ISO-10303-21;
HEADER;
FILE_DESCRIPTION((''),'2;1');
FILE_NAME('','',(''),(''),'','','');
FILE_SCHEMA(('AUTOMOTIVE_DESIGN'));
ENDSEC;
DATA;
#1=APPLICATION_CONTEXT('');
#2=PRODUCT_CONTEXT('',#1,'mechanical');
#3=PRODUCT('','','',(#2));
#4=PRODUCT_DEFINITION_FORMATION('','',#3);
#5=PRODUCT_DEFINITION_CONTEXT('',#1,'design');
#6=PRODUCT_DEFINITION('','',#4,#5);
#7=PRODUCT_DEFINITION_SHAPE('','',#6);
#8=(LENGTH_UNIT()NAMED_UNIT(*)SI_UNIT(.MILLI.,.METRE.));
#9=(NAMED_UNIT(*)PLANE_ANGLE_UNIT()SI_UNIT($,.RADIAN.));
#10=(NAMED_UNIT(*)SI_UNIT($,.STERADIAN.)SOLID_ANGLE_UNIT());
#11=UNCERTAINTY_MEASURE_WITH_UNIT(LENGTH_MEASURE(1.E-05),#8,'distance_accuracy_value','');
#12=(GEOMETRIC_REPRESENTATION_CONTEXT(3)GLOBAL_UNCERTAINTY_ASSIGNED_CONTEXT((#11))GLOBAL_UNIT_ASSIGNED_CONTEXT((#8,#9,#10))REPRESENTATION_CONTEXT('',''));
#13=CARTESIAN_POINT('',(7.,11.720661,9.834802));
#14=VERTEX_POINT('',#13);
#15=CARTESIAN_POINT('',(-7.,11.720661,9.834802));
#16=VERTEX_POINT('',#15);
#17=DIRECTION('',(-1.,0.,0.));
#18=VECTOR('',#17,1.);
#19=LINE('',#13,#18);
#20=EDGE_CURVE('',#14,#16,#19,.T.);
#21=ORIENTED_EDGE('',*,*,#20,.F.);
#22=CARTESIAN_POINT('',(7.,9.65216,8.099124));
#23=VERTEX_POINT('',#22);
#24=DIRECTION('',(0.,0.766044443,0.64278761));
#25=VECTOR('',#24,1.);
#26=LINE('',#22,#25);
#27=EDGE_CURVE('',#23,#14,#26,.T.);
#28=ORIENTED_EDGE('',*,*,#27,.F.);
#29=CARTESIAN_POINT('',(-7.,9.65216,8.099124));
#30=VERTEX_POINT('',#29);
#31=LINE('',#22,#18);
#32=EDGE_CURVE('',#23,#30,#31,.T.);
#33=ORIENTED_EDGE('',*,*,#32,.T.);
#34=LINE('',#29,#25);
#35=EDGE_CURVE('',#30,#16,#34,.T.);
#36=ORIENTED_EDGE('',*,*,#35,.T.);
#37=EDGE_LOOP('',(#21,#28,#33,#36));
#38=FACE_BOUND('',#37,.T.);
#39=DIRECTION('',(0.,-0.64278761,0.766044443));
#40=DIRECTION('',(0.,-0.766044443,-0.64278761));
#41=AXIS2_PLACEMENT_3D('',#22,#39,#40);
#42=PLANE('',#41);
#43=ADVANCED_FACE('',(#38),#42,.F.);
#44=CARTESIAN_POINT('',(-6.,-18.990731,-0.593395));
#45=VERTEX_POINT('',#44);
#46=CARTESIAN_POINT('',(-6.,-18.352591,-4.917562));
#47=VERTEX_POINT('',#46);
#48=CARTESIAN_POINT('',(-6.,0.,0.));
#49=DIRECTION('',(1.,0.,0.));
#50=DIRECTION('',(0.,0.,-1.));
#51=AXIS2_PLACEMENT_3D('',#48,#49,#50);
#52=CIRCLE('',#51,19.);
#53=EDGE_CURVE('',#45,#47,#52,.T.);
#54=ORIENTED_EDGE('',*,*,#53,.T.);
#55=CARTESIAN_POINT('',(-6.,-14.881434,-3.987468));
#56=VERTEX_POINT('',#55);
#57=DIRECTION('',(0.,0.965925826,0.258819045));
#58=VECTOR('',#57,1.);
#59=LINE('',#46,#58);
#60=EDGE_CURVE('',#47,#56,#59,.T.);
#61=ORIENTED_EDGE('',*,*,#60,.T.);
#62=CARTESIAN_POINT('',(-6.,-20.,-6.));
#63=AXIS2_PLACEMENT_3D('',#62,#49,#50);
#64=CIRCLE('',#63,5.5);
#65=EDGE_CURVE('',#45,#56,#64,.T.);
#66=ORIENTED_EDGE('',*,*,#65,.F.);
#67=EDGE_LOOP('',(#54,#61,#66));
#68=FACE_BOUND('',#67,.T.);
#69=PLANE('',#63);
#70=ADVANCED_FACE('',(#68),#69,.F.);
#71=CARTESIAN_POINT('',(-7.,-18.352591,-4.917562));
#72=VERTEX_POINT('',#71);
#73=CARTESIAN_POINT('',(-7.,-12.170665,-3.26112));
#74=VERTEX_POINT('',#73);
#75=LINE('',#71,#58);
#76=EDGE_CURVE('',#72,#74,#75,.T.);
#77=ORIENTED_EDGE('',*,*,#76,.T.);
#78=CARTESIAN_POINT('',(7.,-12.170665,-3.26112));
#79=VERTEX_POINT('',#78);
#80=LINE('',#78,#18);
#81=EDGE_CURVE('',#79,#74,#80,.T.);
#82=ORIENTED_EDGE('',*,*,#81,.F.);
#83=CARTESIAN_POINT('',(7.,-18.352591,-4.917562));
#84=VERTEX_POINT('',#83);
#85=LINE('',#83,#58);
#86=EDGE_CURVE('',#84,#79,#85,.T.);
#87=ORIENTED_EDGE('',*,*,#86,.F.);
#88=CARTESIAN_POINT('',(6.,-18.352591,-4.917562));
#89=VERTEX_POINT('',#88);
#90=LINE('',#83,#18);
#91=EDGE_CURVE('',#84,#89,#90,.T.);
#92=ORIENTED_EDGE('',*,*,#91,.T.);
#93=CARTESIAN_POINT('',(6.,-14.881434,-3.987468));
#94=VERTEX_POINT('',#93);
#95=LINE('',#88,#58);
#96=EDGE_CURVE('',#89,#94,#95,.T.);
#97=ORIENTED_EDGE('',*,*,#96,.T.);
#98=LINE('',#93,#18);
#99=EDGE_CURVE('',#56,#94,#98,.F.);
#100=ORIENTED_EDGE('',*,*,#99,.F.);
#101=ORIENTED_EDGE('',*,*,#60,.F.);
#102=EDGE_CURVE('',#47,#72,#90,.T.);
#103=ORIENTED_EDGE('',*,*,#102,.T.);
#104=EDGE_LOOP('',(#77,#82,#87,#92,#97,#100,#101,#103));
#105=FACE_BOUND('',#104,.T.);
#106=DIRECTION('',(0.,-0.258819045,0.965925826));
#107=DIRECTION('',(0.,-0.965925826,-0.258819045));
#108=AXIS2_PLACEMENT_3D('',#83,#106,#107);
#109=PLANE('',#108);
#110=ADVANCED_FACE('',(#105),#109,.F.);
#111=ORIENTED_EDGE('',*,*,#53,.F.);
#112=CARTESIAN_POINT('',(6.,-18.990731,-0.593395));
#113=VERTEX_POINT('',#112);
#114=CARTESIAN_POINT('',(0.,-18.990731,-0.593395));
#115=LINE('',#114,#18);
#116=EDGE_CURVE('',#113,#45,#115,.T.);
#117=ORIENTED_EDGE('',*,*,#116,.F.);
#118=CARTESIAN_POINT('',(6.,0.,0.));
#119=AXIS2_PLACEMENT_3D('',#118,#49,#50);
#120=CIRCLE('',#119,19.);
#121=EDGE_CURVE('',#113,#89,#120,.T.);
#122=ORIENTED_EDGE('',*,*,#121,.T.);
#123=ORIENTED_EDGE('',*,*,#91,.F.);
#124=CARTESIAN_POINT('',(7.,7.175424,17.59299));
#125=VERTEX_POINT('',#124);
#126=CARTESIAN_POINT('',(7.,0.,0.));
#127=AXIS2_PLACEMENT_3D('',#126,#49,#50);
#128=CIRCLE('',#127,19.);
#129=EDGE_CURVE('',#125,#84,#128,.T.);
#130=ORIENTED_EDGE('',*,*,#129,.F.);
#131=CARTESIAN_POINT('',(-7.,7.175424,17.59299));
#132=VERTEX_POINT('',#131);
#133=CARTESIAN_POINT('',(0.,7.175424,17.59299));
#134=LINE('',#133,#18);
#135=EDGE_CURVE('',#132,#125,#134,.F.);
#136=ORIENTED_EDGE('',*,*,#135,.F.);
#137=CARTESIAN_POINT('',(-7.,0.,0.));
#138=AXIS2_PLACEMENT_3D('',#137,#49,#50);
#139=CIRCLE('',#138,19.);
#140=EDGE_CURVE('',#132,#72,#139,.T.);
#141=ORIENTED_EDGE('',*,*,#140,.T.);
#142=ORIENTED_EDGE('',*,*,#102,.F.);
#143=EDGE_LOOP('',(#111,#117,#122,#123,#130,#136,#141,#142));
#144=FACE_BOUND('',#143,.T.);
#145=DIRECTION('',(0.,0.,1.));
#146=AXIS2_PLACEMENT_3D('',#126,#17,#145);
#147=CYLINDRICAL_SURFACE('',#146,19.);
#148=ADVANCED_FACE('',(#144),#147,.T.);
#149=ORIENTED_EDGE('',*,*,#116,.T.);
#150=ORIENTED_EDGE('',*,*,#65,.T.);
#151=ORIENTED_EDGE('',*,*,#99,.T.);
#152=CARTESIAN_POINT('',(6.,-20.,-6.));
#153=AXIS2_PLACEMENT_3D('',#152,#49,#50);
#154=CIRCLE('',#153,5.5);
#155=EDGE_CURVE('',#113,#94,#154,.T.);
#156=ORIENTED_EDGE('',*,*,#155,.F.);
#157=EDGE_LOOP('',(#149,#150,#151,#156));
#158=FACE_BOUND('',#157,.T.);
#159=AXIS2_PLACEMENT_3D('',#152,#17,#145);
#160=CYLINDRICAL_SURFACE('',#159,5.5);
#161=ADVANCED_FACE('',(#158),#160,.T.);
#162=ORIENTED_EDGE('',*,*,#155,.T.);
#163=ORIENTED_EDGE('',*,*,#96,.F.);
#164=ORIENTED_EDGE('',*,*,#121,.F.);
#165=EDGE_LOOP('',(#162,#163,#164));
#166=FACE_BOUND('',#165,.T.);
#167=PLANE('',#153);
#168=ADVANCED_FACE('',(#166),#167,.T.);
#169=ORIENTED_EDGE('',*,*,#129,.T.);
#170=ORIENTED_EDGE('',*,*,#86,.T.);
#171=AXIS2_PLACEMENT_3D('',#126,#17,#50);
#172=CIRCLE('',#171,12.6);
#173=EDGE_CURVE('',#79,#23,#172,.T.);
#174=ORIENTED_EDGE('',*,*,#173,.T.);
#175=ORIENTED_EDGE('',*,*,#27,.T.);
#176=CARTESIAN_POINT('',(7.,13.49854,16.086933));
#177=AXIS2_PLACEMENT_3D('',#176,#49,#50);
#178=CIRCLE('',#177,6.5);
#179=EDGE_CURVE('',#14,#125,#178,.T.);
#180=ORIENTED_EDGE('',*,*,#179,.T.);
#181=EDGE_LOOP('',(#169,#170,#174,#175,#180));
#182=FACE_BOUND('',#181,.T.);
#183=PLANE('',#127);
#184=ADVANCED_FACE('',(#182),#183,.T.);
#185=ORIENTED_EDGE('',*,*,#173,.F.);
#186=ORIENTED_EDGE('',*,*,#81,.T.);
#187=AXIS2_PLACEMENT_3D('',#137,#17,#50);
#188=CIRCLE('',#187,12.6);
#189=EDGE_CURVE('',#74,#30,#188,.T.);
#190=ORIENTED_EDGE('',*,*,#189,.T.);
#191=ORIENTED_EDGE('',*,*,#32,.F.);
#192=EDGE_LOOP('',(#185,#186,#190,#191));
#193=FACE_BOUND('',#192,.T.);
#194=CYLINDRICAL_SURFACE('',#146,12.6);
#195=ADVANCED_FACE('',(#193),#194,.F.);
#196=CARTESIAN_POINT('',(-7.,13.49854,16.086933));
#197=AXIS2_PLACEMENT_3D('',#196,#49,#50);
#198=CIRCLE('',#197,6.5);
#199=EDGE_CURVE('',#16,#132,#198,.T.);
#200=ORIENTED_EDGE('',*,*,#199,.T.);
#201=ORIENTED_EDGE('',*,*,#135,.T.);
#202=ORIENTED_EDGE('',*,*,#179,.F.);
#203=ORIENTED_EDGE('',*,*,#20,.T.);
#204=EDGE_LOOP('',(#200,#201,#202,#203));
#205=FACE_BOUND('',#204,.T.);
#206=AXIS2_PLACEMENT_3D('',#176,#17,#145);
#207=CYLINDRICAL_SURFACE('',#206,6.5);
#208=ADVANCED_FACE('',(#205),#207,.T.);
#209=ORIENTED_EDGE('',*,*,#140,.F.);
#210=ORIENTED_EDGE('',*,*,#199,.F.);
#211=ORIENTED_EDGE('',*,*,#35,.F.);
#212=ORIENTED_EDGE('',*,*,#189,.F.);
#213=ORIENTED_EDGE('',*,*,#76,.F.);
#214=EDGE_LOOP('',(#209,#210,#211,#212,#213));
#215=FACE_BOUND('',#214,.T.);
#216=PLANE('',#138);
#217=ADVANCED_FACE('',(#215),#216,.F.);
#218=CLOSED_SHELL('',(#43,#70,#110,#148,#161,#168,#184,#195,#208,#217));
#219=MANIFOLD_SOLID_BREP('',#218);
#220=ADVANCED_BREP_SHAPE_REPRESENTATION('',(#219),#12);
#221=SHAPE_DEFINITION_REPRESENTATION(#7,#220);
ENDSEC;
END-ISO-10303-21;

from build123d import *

# Parameters (mm, degrees)
GANCHO_TROCLEAR_DEPTH = 14
SKETCH2_R             = 6.5
OLECRANON_DEPTH       = 14
SKETCH3_R             = 5.5
CORONOIDES_DEPTH      = 12


with BuildPart() as part:
    # Sketch1 → Gancho_troclear (new body)
    with BuildSketch(Plane(origin=(-7, 0, 0), x_dir=(0, 0, -1), z_dir=(1, 0, 0))):
        with BuildLine():
            Line((4.917561857, -18.352590699), (3.261119968, -12.170665411))
            ThreePointArc((3.261119968, -12.170665411), (-11.176336498, -5.818032527), (-8.099123882, 9.652159983))
            Line((-8.099123882, 9.652159983), (-12.212964584, 14.554844419))
            ThreePointArc((-12.212964584, 14.554844419), (-16.85320583, -8.773223651), (4.917561857, -18.352590699))
        make_face()
    extrude(amount=GANCHO_TROCLEAR_DEPTH)

    # Sketch2 → Olecranon (add)
    with BuildSketch(Plane(origin=(-7, 0, 0), x_dir=(0, 0, -1), z_dir=(1, 0, 0))):
        with Locations((-16.086933305, 13.498539803)):
            Circle(SKETCH2_R)
    extrude(amount=OLECRANON_DEPTH)

    # Sketch3 → Coronoides (add)
    with BuildSketch(Plane(origin=(-6, 0, 0), x_dir=(0, 0, -1), z_dir=(1, 0, 0))):
        with Locations((6, -20)):
            Circle(SKETCH3_R)
    extrude(amount=CORONOIDES_DEPTH)


solid = part.part
